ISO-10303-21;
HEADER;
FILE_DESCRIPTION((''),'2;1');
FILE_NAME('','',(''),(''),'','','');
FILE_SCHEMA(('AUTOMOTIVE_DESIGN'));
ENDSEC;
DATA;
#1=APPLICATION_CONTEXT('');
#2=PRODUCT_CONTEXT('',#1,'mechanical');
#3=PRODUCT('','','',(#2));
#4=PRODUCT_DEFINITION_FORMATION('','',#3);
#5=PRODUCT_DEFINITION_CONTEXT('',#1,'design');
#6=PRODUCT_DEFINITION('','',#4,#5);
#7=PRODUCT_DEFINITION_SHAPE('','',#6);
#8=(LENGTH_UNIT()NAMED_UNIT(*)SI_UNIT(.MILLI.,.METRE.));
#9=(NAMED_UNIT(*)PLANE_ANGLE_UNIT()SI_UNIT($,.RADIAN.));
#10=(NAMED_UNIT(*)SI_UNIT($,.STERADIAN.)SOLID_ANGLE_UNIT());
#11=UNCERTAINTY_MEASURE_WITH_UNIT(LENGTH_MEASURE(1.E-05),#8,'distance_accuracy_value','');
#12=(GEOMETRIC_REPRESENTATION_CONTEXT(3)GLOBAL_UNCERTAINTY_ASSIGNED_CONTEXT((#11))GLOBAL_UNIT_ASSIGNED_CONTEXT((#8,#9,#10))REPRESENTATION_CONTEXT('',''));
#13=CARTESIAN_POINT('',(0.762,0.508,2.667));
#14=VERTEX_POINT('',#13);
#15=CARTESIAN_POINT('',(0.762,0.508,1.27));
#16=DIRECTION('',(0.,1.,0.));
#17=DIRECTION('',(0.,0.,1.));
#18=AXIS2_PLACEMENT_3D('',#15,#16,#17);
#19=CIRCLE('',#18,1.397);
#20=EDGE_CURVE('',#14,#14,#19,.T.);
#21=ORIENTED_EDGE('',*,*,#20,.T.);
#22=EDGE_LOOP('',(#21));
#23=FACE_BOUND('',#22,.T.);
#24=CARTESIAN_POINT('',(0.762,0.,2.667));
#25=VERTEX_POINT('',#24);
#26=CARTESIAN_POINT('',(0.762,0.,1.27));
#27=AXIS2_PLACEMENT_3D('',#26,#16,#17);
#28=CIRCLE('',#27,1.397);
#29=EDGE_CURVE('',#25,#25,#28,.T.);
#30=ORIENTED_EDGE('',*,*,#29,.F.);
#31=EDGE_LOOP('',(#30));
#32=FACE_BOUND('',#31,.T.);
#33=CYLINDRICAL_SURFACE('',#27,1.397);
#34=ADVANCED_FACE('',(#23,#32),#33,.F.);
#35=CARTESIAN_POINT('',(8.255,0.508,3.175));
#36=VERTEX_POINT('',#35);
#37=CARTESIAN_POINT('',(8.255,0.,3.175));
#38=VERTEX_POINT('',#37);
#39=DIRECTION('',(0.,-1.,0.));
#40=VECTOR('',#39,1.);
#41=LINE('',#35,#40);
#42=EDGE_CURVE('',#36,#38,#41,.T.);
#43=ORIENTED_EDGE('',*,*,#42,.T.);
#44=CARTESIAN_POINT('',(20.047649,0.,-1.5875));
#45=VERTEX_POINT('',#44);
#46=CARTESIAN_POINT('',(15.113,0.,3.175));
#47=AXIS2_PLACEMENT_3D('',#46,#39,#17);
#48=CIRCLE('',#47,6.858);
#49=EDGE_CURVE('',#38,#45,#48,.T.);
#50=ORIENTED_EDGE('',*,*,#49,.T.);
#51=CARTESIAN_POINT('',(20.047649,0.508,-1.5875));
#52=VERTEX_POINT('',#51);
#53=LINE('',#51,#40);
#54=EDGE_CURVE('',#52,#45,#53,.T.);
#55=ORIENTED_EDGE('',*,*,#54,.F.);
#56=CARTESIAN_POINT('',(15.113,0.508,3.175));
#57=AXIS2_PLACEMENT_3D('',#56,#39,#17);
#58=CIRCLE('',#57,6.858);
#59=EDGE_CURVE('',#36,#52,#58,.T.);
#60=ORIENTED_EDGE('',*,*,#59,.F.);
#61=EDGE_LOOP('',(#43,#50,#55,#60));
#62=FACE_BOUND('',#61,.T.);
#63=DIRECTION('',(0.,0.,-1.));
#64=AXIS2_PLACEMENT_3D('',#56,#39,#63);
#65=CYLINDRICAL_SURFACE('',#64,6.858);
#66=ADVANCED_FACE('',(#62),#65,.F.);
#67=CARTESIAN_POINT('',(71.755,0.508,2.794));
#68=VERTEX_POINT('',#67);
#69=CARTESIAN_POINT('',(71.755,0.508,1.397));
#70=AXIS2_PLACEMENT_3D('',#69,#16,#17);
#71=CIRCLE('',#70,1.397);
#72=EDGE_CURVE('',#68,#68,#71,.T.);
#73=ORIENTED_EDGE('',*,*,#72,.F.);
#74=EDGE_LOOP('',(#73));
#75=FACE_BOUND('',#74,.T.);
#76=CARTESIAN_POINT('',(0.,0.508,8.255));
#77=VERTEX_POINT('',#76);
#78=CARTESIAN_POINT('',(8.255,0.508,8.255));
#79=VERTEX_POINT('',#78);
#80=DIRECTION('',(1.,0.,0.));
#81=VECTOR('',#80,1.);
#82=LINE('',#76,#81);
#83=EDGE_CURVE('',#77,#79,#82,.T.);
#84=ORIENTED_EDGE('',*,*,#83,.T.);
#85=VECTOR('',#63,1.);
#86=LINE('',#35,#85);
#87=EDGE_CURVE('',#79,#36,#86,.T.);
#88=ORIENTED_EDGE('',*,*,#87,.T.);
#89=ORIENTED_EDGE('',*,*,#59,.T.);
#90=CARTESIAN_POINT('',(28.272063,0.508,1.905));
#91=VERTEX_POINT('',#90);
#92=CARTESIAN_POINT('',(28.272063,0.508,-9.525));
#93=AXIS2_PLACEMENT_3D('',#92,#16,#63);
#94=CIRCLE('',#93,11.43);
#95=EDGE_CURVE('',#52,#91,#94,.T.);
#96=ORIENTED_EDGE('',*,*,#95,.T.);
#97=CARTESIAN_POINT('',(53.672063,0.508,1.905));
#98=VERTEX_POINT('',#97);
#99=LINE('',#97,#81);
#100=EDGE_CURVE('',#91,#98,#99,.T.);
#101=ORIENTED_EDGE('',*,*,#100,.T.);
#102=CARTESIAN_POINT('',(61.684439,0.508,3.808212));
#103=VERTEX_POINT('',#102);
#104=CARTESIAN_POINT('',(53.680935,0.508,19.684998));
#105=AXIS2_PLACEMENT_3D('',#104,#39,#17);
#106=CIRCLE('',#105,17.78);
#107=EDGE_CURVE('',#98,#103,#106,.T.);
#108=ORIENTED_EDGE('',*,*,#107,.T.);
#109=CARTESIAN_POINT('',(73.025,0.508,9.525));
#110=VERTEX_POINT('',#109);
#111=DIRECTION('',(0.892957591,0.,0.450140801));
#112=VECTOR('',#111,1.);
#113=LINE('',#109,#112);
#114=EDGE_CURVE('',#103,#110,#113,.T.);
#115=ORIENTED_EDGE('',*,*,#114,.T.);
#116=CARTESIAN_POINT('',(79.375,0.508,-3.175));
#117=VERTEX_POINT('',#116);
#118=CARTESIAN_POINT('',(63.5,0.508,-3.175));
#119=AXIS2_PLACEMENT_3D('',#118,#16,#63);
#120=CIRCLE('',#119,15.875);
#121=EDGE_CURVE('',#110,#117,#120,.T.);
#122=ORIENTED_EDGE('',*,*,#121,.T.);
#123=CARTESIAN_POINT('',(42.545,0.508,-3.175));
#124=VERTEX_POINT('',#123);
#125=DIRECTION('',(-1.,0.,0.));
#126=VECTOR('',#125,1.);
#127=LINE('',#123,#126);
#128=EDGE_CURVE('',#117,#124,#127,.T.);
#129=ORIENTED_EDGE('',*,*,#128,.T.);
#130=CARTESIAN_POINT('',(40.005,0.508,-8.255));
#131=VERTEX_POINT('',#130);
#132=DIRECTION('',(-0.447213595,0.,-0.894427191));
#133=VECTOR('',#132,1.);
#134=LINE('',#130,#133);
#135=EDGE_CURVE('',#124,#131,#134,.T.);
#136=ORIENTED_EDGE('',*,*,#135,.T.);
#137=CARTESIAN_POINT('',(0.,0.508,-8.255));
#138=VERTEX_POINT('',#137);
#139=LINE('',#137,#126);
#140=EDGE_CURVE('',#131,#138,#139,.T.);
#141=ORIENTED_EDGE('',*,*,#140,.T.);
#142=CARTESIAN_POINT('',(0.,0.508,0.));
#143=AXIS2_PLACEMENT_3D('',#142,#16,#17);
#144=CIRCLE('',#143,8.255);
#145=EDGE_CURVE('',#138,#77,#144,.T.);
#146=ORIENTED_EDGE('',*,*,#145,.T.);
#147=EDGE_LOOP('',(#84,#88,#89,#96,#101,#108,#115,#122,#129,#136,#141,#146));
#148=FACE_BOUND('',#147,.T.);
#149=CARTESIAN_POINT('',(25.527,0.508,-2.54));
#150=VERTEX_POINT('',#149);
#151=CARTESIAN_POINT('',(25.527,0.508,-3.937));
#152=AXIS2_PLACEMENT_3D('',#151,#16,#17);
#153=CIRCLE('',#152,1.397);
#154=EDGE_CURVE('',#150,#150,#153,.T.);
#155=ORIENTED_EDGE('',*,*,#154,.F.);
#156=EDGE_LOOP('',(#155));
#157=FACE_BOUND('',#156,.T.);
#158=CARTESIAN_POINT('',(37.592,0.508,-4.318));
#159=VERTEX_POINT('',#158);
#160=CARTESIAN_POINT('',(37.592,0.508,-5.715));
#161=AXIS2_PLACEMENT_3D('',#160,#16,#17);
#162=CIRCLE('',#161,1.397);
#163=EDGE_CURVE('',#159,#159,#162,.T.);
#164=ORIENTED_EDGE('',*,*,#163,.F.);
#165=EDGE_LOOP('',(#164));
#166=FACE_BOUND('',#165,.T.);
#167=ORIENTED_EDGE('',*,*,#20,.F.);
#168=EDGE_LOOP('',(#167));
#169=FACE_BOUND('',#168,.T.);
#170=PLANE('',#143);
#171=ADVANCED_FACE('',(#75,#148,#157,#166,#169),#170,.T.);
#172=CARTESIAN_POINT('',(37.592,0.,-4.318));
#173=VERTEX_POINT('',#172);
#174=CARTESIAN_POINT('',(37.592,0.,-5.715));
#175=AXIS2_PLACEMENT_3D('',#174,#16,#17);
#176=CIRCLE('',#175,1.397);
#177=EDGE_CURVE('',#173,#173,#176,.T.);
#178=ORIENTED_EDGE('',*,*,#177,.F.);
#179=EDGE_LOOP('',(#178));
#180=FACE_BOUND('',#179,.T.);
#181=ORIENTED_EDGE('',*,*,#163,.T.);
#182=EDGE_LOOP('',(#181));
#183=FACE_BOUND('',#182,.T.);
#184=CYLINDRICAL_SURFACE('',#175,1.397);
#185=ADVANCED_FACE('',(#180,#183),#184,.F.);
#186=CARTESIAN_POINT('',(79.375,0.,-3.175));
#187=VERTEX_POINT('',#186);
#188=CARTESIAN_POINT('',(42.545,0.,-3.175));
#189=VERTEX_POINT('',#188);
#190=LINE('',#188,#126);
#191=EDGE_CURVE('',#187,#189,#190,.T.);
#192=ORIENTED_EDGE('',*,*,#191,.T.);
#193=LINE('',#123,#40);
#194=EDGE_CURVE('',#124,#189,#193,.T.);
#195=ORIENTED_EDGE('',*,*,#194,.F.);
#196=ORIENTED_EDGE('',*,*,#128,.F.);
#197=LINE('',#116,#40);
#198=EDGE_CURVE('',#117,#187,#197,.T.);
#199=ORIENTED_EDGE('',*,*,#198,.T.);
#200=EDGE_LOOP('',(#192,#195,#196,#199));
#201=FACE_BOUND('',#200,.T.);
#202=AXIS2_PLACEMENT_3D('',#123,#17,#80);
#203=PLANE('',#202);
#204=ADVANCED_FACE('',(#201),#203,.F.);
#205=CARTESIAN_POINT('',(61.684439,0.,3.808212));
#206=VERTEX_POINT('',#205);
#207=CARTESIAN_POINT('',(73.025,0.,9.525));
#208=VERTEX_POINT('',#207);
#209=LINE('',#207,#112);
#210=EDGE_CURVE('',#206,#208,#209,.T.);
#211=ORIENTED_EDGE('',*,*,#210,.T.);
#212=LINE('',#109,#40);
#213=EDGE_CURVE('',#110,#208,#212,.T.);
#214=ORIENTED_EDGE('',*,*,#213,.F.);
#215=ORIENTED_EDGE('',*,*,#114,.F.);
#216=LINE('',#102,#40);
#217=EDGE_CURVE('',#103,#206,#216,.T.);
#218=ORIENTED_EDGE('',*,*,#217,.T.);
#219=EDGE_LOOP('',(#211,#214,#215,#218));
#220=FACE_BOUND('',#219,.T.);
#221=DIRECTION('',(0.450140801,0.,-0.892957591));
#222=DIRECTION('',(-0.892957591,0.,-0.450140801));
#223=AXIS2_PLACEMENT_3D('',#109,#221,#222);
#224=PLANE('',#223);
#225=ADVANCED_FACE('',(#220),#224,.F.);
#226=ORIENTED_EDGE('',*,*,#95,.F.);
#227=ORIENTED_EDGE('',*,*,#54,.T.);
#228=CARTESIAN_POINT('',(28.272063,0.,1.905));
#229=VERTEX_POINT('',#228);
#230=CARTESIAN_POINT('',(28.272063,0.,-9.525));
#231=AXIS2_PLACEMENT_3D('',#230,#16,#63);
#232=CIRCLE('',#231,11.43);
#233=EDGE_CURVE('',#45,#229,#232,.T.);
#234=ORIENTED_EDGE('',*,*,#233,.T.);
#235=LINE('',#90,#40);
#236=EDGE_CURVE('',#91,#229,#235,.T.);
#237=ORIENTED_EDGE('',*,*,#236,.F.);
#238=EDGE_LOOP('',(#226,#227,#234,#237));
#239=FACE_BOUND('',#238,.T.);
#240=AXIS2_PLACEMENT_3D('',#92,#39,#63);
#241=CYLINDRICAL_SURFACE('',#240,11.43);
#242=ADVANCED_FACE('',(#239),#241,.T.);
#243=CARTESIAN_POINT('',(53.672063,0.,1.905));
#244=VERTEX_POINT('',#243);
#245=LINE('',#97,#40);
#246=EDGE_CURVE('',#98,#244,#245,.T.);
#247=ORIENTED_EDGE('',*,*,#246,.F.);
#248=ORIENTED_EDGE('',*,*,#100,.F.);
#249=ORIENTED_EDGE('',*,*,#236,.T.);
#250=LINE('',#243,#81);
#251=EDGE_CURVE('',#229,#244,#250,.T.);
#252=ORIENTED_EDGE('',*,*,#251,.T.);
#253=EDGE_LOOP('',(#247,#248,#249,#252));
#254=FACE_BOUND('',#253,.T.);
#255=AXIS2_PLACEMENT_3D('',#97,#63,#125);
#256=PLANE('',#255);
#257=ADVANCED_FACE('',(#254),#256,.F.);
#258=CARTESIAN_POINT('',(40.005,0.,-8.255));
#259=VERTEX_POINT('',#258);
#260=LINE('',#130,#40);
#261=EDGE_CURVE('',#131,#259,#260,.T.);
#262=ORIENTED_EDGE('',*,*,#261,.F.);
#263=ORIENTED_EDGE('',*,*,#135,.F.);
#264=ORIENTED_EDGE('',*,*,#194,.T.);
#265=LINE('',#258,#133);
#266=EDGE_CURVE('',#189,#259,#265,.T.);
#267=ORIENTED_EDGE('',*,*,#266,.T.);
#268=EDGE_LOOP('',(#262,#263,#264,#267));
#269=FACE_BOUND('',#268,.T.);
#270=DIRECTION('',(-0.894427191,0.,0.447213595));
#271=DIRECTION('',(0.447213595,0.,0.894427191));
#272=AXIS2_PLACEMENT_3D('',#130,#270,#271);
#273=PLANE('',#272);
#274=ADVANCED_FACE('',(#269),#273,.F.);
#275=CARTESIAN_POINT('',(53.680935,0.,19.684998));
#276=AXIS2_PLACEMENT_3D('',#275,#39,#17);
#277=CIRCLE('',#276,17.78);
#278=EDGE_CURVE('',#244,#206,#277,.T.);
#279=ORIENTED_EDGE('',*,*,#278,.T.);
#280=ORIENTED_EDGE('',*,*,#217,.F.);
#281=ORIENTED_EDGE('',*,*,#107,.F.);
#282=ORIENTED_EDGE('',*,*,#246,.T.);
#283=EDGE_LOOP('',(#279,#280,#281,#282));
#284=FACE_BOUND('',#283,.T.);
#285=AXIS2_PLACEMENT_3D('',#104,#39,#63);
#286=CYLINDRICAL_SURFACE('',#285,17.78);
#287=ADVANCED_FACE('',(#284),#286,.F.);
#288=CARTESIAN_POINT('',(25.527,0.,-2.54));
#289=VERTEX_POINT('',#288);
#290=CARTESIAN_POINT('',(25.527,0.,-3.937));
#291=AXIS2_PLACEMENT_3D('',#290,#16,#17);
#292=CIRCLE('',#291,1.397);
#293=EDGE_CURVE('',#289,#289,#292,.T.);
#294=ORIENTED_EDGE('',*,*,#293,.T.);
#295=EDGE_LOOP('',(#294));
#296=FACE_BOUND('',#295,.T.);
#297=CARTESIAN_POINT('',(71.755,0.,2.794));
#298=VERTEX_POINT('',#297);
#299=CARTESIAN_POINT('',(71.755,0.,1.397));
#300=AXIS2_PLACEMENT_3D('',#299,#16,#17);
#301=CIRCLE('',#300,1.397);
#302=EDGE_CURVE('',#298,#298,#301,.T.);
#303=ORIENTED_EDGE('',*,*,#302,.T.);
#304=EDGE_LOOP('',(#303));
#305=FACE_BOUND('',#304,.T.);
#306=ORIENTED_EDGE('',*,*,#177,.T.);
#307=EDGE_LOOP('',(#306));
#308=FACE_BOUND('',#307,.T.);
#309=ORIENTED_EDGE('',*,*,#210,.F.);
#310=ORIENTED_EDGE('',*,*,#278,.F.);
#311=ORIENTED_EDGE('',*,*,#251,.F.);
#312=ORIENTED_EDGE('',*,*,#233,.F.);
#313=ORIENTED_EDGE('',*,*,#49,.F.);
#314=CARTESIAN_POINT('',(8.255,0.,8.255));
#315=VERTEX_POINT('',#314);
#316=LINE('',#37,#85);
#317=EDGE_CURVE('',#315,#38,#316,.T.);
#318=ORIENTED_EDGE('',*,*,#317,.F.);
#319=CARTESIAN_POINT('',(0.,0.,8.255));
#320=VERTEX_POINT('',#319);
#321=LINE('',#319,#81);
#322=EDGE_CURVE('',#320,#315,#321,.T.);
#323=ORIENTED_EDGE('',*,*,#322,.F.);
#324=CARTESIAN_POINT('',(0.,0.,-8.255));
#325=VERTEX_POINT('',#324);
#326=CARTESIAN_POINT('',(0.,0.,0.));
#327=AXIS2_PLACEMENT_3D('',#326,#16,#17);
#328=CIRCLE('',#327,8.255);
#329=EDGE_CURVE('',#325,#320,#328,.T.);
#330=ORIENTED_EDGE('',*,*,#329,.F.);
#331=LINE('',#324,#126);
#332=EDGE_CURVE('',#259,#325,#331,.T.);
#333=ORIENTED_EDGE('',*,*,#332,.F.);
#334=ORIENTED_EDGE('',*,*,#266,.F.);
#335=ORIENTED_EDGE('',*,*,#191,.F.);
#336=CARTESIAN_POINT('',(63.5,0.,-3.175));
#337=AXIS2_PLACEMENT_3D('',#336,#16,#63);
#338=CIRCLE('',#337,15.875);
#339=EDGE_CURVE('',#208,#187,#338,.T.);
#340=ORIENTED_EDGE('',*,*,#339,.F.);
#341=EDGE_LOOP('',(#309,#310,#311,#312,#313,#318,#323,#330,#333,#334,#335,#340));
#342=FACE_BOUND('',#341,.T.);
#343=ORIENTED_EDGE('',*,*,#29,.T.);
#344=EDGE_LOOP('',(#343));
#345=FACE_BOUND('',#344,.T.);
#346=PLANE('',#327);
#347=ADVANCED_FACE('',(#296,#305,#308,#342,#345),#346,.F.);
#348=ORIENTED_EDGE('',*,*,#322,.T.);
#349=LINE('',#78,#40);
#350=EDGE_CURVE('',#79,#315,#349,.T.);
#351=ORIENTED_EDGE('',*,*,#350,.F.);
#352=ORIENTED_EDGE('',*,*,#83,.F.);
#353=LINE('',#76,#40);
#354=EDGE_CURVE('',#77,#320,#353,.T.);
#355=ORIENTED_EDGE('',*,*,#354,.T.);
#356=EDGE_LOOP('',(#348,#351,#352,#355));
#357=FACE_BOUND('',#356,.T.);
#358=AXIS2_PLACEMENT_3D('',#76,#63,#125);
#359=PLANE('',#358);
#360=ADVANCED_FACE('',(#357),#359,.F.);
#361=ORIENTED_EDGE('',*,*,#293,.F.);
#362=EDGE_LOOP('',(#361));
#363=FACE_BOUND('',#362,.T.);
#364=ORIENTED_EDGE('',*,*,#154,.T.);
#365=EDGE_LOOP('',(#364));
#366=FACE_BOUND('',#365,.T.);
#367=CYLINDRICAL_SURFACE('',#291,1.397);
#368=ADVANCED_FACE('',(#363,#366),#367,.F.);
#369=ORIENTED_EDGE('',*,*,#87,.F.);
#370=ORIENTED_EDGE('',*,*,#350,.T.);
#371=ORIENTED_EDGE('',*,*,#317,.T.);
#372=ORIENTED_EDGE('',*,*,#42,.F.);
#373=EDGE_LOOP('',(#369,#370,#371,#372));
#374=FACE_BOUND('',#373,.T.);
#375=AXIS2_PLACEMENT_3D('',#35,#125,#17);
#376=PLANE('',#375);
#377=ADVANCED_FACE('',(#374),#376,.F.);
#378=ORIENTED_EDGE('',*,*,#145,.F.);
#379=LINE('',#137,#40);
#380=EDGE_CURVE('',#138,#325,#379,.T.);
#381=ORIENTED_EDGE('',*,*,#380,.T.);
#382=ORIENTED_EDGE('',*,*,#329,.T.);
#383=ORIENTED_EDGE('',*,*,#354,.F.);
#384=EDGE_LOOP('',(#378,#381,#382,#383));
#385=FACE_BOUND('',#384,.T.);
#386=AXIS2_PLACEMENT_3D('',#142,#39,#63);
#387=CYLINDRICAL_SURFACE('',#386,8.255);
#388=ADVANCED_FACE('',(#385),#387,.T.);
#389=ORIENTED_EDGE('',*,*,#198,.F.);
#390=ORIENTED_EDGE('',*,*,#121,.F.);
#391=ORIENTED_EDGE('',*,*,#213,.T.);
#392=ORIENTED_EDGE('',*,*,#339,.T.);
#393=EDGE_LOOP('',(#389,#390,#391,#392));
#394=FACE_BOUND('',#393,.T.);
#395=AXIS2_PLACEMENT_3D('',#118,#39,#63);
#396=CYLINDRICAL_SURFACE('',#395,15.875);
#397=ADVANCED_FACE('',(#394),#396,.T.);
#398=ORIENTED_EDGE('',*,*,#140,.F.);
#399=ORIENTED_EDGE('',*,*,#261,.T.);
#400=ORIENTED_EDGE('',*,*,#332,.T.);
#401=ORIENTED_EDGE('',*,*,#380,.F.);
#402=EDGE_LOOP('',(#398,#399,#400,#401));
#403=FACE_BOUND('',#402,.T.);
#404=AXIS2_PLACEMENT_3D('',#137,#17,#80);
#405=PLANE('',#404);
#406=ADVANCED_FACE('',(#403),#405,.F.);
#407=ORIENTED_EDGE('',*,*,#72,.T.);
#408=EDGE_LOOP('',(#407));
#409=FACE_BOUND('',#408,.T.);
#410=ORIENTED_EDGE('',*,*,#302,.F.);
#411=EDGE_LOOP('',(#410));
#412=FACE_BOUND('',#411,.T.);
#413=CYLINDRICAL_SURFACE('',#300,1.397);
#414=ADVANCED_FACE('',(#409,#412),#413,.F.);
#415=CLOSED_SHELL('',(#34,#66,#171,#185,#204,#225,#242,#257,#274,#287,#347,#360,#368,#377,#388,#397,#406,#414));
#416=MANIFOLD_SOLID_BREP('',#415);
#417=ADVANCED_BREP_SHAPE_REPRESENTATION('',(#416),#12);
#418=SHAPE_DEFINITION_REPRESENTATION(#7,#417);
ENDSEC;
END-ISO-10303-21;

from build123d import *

# Parameters (mm, degrees)
BOSS_EXTRUDE1_DEPTH = 0.508
SKETCH2_R           = 1.397
CUT_EXTRUDE1_DEPTH  = 1.508


with BuildPart() as part:
    # Sketch1 → Boss-Extrude1 (new body)
    with BuildSketch(Plane(origin=(0, 0, 0), x_dir=(1, 0, 0), z_dir=(0, 1, 0))):
        with BuildLine():
            Line((0, 8.255), (40.005, 8.255))
            Line((40.005, 8.255), (42.545, 3.175))
            Line((42.545, 3.175), (79.375, 3.175))
            ThreePointArc((79.375, 3.175), (77.699031657, -3.924515829), (73.025, -9.525))
            Line((73.025, -9.525), (61.684438597, -3.808211822))
            ThreePointArc((61.684438597, -3.808211822), (57.789960212, -2.38631827), (53.672063189, -1.905))
            Line((53.672063189, -1.905), (28.272063189, -1.905))
            ThreePointArc((28.272063189, -1.905), (23.804442177, -0.995706369), (20.047648696, 1.5875))
            ThreePointArc((20.047648696, 1.5875), (12.544893378, 3.184008757), (8.255, -3.175))
            Line((8.255, -3.175), (8.255, -8.255))
            Line((8.255, -8.255), (0, -8.255))
            ThreePointArc((0, -8.255), (-8.255, 0), (0, 8.255))
        make_face()
    extrude(amount=BOSS_EXTRUDE1_DEPTH)

    # Sketch2 → Cut-Extrude1 (cut, through all)
    with BuildSketch(Plane(origin=(0, 0.508, 0), x_dir=(1, 0, 0), z_dir=(0, 1, 0))):
        with Locations((0.762, -1.27)):
            Circle(SKETCH2_R)
        with Locations((25.527, 3.937)):
            Circle(SKETCH2_R)
        with Locations((37.592, 5.715)):
            Circle(SKETCH2_R)
        with Locations((71.755, -1.397)):
            Circle(SKETCH2_R)
    extrude(amount=-CUT_EXTRUDE1_DEPTH, mode=Mode.SUBTRACT)


solid = part.part
